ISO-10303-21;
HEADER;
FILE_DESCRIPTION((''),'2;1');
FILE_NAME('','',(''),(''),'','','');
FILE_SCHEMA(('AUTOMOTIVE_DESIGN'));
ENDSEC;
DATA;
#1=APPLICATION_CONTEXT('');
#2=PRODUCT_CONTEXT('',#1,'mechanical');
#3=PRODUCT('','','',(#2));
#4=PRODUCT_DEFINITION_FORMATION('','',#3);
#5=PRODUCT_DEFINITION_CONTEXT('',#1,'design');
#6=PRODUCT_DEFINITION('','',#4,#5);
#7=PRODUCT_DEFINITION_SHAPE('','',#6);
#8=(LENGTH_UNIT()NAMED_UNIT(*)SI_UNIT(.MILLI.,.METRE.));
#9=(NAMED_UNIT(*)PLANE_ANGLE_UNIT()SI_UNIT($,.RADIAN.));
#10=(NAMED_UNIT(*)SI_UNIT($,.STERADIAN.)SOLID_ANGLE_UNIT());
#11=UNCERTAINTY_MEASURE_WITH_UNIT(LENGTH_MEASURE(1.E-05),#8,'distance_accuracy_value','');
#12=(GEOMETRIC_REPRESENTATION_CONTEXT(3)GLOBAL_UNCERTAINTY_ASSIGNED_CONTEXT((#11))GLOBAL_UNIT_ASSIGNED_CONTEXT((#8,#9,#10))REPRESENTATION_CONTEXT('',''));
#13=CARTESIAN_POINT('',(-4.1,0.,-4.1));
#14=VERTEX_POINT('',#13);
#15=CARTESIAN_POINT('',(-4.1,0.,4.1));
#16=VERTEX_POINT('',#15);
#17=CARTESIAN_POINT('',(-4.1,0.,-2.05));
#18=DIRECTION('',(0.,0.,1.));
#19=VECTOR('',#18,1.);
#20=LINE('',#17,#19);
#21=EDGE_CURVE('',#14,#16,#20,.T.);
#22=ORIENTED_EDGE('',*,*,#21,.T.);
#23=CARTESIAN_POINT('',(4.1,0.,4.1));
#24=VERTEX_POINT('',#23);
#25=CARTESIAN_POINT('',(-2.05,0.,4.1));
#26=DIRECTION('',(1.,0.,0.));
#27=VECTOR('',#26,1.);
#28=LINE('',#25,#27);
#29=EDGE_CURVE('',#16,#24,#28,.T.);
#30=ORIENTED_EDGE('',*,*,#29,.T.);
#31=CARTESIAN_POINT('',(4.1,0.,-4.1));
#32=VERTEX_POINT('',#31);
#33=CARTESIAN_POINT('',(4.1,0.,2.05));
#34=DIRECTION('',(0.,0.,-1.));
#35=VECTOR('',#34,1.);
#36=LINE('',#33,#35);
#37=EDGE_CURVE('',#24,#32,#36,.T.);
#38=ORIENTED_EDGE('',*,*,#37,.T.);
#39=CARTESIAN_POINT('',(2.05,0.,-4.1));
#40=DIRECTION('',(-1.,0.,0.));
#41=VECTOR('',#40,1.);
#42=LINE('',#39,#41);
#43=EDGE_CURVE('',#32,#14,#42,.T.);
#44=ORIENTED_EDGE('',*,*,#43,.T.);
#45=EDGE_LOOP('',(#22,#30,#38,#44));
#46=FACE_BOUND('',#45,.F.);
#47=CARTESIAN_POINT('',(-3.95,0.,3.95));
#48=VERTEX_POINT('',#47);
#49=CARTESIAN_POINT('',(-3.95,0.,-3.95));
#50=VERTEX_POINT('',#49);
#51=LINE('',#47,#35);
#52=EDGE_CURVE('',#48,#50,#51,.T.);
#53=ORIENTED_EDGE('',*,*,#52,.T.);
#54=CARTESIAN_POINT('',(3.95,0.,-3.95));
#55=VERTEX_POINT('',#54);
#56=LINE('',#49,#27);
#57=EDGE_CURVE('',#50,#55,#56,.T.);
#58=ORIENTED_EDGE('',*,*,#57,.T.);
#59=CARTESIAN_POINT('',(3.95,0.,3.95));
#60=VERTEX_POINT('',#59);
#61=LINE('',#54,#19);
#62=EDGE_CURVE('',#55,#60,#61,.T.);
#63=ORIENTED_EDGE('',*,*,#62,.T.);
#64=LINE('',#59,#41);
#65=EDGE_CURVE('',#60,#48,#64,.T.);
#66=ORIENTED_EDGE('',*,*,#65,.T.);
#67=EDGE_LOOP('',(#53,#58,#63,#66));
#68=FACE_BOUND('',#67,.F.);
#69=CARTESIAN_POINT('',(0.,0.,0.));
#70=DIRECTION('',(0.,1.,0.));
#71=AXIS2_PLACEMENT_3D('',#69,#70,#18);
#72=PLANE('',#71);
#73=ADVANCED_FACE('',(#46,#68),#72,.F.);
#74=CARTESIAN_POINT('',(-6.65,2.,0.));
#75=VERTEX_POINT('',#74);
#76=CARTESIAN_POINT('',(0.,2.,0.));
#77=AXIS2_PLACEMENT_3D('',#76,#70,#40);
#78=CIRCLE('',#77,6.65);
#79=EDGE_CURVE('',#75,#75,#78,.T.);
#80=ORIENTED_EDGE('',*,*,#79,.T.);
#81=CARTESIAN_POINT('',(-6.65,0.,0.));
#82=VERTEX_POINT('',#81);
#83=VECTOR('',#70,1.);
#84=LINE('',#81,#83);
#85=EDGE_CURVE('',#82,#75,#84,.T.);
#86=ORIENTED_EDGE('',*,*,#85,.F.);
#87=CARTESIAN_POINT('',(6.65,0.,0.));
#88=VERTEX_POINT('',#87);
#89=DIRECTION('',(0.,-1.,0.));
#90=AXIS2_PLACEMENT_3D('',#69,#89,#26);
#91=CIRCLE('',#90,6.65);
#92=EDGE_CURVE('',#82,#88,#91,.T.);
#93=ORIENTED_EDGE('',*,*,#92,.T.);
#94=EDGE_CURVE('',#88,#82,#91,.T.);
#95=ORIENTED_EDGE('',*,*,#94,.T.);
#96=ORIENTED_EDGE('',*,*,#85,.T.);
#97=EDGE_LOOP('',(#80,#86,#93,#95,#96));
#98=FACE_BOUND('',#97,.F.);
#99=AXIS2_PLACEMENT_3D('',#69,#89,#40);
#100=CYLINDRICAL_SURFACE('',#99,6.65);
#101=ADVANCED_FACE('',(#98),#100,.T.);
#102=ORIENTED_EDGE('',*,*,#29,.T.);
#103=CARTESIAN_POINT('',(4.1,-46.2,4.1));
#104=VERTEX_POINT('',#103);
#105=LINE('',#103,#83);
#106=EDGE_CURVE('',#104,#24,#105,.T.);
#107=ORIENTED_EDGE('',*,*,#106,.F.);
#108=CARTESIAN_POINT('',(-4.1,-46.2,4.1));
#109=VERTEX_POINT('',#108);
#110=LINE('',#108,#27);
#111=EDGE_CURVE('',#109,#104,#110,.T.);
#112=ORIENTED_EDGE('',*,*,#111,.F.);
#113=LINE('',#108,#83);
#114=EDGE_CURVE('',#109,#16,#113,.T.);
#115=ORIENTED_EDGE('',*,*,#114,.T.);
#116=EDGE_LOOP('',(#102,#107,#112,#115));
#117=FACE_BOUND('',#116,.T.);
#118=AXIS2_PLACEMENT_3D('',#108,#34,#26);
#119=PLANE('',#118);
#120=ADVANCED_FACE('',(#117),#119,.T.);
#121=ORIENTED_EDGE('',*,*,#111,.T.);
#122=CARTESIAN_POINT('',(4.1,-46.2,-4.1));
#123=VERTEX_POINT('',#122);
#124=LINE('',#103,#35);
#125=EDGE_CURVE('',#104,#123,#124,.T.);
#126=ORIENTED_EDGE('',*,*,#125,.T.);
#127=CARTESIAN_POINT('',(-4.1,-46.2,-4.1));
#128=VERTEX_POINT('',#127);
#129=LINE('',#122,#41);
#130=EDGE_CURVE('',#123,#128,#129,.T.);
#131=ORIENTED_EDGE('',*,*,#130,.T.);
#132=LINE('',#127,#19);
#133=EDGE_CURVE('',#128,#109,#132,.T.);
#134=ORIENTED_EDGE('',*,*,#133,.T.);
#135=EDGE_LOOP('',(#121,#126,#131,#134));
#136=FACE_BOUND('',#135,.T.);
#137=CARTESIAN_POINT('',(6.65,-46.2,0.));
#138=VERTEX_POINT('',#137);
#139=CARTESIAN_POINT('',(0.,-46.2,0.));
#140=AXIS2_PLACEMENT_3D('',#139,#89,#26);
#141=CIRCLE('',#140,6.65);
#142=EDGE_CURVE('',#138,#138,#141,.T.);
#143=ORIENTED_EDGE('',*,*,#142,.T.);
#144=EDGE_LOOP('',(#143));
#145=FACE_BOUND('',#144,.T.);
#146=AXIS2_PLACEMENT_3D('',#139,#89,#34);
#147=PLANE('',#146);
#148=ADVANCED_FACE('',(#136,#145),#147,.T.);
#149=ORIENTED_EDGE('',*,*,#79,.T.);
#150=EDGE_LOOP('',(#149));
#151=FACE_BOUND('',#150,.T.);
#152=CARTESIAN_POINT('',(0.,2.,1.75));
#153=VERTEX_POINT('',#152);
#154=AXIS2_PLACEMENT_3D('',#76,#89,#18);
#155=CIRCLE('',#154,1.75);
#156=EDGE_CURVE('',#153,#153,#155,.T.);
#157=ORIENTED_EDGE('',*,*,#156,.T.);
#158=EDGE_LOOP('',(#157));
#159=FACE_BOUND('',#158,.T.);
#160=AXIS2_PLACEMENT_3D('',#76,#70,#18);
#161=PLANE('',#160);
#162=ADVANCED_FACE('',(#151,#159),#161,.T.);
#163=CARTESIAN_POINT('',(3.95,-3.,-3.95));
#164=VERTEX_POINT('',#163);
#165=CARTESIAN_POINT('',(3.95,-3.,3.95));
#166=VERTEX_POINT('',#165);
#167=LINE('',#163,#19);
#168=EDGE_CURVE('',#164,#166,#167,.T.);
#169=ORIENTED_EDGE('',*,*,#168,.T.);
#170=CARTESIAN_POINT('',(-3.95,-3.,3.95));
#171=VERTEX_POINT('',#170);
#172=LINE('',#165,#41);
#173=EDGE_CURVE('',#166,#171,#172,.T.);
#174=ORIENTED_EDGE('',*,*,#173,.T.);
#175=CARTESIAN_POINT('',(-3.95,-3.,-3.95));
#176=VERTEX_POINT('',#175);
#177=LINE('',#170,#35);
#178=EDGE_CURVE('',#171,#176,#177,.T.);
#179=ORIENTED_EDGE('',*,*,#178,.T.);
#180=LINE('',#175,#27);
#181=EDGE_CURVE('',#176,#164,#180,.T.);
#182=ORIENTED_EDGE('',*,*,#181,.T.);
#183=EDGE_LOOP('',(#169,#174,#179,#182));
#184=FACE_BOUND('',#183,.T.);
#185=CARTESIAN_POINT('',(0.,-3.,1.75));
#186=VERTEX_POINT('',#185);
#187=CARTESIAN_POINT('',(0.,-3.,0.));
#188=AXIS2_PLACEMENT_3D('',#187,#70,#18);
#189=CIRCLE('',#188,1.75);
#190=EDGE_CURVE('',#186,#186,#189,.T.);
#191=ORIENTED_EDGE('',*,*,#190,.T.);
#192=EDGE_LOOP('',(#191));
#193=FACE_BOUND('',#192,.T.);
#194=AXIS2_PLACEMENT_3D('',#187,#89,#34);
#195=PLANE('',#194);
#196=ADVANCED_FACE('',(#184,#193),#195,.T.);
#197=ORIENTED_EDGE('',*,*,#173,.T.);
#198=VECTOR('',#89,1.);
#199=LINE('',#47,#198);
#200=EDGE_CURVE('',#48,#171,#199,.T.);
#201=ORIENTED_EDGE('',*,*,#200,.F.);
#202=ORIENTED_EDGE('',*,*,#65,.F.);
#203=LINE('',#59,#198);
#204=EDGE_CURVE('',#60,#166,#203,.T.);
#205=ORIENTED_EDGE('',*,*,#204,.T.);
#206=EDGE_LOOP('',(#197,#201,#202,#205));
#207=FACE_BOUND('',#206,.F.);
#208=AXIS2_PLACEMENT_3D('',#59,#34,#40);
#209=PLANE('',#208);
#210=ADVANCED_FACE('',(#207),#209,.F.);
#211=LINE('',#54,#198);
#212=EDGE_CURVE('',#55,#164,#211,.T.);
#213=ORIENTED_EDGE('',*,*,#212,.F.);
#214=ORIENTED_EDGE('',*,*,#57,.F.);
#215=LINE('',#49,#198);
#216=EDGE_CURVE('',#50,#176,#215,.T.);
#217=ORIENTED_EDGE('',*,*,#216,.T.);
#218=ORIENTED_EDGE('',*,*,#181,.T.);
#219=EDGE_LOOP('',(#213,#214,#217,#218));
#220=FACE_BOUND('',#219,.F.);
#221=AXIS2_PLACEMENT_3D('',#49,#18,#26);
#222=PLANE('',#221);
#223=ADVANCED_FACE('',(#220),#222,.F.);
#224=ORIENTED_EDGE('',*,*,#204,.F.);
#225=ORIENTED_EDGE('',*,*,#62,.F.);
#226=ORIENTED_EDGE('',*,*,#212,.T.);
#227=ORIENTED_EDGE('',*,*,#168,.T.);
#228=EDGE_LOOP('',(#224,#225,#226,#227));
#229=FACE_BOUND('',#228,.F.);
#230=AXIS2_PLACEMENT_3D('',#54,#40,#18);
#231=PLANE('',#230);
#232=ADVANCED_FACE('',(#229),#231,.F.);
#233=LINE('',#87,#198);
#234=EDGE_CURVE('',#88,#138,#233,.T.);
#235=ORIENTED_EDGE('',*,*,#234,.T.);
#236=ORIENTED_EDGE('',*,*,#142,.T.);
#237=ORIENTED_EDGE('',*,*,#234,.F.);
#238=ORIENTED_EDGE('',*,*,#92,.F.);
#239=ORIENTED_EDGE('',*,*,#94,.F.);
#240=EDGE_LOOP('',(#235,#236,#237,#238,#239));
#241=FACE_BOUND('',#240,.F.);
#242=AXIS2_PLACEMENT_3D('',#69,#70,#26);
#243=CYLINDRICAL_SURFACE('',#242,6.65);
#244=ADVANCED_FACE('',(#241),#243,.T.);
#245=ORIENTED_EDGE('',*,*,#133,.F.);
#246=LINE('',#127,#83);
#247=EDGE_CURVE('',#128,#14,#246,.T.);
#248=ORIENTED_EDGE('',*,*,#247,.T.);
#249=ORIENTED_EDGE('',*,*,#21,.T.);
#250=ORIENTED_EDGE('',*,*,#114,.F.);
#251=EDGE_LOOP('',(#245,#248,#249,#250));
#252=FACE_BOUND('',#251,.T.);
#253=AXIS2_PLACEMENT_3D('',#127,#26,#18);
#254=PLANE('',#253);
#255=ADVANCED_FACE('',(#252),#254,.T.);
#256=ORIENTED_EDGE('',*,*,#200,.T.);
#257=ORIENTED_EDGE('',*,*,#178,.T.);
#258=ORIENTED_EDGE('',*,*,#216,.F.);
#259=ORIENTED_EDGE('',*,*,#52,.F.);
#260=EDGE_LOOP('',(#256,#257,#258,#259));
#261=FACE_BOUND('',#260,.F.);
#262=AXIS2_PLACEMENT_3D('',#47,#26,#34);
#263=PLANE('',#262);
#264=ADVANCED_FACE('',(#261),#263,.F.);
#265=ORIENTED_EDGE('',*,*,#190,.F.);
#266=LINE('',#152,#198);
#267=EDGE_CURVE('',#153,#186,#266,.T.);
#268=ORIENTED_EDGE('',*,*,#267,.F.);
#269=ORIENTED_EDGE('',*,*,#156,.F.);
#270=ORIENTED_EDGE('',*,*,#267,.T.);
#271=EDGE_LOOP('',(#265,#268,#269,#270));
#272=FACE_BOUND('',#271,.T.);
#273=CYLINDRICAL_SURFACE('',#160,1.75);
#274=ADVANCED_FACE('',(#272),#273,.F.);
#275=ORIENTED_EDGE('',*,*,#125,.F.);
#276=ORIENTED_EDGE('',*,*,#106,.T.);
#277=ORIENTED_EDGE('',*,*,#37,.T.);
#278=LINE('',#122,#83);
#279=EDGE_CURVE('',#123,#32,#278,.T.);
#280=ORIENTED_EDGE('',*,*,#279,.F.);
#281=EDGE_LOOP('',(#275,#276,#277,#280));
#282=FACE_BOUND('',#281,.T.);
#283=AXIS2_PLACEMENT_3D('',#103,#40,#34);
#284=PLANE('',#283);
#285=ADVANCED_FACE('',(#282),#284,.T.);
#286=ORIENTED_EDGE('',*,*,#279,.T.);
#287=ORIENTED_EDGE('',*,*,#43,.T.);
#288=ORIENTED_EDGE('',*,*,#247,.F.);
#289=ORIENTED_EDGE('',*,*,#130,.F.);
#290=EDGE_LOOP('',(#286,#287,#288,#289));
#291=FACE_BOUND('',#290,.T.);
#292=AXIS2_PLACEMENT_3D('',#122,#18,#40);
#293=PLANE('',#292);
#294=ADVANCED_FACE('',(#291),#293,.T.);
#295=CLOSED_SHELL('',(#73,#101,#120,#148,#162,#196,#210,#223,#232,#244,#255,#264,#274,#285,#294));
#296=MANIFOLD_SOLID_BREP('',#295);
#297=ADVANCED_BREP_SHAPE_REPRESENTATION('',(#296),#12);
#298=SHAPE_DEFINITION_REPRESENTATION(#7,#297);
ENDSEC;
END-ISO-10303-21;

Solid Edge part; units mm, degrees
sketch "Sketch1" plane through (0, 0, 0) normal (0, -1, 0) x (1, 0, 0)
  circle A0 centre (0, 0) radius 6.65
extrude "Protrusion1" add sketch "Sketch1" along normal blind 46.2
sketch "Sketch2" plane through (0, -46.2, 0) normal (0, -1, 0) x (1, 0, 0)
  line L0 (-4.1, 4.1) -> (4.1, 4.1)
  line L1 (4.1, 4.1) -> (4.1, -4.1)
  line L2 (4.1, -4.1) -> (-4.1, -4.1)
  line L3 (-4.1, -4.1) -> (-4.1, 4.1)
  dimension "D1" = 8.2
extrude "Cutout1" cut sketch "Sketch2" against normal through all
sketch "Sketch3" plane through (0, 0, 0) normal (0, 1, 0) x (-1, 0, 0)
  line L0 (-3.95, -3.95) -> (-3.95, 3.95)
  line L1 (-3.95, 3.95) -> (3.95, 3.95)
  line L2 (3.95, 3.95) -> (3.95, -3.95)
  line L3 (3.95, -3.95) -> (-3.95, -3.95)
extrude "Protrusion2" add sketch "Sketch3" against normal blind 3
sketch "Sketch4" plane through (0, 0, 0) normal (0, 1, 0) x (-1, 0, 0)
  circle A0 centre (0, 0) radius 6.65
extrude "Extrusionsausprägung_5" add sketch "Sketch4" along normal blind 2
hole "Bohrung_5" at (0, 2, 0) direction (0, -1, 0) diameter 3.5 end up to next
